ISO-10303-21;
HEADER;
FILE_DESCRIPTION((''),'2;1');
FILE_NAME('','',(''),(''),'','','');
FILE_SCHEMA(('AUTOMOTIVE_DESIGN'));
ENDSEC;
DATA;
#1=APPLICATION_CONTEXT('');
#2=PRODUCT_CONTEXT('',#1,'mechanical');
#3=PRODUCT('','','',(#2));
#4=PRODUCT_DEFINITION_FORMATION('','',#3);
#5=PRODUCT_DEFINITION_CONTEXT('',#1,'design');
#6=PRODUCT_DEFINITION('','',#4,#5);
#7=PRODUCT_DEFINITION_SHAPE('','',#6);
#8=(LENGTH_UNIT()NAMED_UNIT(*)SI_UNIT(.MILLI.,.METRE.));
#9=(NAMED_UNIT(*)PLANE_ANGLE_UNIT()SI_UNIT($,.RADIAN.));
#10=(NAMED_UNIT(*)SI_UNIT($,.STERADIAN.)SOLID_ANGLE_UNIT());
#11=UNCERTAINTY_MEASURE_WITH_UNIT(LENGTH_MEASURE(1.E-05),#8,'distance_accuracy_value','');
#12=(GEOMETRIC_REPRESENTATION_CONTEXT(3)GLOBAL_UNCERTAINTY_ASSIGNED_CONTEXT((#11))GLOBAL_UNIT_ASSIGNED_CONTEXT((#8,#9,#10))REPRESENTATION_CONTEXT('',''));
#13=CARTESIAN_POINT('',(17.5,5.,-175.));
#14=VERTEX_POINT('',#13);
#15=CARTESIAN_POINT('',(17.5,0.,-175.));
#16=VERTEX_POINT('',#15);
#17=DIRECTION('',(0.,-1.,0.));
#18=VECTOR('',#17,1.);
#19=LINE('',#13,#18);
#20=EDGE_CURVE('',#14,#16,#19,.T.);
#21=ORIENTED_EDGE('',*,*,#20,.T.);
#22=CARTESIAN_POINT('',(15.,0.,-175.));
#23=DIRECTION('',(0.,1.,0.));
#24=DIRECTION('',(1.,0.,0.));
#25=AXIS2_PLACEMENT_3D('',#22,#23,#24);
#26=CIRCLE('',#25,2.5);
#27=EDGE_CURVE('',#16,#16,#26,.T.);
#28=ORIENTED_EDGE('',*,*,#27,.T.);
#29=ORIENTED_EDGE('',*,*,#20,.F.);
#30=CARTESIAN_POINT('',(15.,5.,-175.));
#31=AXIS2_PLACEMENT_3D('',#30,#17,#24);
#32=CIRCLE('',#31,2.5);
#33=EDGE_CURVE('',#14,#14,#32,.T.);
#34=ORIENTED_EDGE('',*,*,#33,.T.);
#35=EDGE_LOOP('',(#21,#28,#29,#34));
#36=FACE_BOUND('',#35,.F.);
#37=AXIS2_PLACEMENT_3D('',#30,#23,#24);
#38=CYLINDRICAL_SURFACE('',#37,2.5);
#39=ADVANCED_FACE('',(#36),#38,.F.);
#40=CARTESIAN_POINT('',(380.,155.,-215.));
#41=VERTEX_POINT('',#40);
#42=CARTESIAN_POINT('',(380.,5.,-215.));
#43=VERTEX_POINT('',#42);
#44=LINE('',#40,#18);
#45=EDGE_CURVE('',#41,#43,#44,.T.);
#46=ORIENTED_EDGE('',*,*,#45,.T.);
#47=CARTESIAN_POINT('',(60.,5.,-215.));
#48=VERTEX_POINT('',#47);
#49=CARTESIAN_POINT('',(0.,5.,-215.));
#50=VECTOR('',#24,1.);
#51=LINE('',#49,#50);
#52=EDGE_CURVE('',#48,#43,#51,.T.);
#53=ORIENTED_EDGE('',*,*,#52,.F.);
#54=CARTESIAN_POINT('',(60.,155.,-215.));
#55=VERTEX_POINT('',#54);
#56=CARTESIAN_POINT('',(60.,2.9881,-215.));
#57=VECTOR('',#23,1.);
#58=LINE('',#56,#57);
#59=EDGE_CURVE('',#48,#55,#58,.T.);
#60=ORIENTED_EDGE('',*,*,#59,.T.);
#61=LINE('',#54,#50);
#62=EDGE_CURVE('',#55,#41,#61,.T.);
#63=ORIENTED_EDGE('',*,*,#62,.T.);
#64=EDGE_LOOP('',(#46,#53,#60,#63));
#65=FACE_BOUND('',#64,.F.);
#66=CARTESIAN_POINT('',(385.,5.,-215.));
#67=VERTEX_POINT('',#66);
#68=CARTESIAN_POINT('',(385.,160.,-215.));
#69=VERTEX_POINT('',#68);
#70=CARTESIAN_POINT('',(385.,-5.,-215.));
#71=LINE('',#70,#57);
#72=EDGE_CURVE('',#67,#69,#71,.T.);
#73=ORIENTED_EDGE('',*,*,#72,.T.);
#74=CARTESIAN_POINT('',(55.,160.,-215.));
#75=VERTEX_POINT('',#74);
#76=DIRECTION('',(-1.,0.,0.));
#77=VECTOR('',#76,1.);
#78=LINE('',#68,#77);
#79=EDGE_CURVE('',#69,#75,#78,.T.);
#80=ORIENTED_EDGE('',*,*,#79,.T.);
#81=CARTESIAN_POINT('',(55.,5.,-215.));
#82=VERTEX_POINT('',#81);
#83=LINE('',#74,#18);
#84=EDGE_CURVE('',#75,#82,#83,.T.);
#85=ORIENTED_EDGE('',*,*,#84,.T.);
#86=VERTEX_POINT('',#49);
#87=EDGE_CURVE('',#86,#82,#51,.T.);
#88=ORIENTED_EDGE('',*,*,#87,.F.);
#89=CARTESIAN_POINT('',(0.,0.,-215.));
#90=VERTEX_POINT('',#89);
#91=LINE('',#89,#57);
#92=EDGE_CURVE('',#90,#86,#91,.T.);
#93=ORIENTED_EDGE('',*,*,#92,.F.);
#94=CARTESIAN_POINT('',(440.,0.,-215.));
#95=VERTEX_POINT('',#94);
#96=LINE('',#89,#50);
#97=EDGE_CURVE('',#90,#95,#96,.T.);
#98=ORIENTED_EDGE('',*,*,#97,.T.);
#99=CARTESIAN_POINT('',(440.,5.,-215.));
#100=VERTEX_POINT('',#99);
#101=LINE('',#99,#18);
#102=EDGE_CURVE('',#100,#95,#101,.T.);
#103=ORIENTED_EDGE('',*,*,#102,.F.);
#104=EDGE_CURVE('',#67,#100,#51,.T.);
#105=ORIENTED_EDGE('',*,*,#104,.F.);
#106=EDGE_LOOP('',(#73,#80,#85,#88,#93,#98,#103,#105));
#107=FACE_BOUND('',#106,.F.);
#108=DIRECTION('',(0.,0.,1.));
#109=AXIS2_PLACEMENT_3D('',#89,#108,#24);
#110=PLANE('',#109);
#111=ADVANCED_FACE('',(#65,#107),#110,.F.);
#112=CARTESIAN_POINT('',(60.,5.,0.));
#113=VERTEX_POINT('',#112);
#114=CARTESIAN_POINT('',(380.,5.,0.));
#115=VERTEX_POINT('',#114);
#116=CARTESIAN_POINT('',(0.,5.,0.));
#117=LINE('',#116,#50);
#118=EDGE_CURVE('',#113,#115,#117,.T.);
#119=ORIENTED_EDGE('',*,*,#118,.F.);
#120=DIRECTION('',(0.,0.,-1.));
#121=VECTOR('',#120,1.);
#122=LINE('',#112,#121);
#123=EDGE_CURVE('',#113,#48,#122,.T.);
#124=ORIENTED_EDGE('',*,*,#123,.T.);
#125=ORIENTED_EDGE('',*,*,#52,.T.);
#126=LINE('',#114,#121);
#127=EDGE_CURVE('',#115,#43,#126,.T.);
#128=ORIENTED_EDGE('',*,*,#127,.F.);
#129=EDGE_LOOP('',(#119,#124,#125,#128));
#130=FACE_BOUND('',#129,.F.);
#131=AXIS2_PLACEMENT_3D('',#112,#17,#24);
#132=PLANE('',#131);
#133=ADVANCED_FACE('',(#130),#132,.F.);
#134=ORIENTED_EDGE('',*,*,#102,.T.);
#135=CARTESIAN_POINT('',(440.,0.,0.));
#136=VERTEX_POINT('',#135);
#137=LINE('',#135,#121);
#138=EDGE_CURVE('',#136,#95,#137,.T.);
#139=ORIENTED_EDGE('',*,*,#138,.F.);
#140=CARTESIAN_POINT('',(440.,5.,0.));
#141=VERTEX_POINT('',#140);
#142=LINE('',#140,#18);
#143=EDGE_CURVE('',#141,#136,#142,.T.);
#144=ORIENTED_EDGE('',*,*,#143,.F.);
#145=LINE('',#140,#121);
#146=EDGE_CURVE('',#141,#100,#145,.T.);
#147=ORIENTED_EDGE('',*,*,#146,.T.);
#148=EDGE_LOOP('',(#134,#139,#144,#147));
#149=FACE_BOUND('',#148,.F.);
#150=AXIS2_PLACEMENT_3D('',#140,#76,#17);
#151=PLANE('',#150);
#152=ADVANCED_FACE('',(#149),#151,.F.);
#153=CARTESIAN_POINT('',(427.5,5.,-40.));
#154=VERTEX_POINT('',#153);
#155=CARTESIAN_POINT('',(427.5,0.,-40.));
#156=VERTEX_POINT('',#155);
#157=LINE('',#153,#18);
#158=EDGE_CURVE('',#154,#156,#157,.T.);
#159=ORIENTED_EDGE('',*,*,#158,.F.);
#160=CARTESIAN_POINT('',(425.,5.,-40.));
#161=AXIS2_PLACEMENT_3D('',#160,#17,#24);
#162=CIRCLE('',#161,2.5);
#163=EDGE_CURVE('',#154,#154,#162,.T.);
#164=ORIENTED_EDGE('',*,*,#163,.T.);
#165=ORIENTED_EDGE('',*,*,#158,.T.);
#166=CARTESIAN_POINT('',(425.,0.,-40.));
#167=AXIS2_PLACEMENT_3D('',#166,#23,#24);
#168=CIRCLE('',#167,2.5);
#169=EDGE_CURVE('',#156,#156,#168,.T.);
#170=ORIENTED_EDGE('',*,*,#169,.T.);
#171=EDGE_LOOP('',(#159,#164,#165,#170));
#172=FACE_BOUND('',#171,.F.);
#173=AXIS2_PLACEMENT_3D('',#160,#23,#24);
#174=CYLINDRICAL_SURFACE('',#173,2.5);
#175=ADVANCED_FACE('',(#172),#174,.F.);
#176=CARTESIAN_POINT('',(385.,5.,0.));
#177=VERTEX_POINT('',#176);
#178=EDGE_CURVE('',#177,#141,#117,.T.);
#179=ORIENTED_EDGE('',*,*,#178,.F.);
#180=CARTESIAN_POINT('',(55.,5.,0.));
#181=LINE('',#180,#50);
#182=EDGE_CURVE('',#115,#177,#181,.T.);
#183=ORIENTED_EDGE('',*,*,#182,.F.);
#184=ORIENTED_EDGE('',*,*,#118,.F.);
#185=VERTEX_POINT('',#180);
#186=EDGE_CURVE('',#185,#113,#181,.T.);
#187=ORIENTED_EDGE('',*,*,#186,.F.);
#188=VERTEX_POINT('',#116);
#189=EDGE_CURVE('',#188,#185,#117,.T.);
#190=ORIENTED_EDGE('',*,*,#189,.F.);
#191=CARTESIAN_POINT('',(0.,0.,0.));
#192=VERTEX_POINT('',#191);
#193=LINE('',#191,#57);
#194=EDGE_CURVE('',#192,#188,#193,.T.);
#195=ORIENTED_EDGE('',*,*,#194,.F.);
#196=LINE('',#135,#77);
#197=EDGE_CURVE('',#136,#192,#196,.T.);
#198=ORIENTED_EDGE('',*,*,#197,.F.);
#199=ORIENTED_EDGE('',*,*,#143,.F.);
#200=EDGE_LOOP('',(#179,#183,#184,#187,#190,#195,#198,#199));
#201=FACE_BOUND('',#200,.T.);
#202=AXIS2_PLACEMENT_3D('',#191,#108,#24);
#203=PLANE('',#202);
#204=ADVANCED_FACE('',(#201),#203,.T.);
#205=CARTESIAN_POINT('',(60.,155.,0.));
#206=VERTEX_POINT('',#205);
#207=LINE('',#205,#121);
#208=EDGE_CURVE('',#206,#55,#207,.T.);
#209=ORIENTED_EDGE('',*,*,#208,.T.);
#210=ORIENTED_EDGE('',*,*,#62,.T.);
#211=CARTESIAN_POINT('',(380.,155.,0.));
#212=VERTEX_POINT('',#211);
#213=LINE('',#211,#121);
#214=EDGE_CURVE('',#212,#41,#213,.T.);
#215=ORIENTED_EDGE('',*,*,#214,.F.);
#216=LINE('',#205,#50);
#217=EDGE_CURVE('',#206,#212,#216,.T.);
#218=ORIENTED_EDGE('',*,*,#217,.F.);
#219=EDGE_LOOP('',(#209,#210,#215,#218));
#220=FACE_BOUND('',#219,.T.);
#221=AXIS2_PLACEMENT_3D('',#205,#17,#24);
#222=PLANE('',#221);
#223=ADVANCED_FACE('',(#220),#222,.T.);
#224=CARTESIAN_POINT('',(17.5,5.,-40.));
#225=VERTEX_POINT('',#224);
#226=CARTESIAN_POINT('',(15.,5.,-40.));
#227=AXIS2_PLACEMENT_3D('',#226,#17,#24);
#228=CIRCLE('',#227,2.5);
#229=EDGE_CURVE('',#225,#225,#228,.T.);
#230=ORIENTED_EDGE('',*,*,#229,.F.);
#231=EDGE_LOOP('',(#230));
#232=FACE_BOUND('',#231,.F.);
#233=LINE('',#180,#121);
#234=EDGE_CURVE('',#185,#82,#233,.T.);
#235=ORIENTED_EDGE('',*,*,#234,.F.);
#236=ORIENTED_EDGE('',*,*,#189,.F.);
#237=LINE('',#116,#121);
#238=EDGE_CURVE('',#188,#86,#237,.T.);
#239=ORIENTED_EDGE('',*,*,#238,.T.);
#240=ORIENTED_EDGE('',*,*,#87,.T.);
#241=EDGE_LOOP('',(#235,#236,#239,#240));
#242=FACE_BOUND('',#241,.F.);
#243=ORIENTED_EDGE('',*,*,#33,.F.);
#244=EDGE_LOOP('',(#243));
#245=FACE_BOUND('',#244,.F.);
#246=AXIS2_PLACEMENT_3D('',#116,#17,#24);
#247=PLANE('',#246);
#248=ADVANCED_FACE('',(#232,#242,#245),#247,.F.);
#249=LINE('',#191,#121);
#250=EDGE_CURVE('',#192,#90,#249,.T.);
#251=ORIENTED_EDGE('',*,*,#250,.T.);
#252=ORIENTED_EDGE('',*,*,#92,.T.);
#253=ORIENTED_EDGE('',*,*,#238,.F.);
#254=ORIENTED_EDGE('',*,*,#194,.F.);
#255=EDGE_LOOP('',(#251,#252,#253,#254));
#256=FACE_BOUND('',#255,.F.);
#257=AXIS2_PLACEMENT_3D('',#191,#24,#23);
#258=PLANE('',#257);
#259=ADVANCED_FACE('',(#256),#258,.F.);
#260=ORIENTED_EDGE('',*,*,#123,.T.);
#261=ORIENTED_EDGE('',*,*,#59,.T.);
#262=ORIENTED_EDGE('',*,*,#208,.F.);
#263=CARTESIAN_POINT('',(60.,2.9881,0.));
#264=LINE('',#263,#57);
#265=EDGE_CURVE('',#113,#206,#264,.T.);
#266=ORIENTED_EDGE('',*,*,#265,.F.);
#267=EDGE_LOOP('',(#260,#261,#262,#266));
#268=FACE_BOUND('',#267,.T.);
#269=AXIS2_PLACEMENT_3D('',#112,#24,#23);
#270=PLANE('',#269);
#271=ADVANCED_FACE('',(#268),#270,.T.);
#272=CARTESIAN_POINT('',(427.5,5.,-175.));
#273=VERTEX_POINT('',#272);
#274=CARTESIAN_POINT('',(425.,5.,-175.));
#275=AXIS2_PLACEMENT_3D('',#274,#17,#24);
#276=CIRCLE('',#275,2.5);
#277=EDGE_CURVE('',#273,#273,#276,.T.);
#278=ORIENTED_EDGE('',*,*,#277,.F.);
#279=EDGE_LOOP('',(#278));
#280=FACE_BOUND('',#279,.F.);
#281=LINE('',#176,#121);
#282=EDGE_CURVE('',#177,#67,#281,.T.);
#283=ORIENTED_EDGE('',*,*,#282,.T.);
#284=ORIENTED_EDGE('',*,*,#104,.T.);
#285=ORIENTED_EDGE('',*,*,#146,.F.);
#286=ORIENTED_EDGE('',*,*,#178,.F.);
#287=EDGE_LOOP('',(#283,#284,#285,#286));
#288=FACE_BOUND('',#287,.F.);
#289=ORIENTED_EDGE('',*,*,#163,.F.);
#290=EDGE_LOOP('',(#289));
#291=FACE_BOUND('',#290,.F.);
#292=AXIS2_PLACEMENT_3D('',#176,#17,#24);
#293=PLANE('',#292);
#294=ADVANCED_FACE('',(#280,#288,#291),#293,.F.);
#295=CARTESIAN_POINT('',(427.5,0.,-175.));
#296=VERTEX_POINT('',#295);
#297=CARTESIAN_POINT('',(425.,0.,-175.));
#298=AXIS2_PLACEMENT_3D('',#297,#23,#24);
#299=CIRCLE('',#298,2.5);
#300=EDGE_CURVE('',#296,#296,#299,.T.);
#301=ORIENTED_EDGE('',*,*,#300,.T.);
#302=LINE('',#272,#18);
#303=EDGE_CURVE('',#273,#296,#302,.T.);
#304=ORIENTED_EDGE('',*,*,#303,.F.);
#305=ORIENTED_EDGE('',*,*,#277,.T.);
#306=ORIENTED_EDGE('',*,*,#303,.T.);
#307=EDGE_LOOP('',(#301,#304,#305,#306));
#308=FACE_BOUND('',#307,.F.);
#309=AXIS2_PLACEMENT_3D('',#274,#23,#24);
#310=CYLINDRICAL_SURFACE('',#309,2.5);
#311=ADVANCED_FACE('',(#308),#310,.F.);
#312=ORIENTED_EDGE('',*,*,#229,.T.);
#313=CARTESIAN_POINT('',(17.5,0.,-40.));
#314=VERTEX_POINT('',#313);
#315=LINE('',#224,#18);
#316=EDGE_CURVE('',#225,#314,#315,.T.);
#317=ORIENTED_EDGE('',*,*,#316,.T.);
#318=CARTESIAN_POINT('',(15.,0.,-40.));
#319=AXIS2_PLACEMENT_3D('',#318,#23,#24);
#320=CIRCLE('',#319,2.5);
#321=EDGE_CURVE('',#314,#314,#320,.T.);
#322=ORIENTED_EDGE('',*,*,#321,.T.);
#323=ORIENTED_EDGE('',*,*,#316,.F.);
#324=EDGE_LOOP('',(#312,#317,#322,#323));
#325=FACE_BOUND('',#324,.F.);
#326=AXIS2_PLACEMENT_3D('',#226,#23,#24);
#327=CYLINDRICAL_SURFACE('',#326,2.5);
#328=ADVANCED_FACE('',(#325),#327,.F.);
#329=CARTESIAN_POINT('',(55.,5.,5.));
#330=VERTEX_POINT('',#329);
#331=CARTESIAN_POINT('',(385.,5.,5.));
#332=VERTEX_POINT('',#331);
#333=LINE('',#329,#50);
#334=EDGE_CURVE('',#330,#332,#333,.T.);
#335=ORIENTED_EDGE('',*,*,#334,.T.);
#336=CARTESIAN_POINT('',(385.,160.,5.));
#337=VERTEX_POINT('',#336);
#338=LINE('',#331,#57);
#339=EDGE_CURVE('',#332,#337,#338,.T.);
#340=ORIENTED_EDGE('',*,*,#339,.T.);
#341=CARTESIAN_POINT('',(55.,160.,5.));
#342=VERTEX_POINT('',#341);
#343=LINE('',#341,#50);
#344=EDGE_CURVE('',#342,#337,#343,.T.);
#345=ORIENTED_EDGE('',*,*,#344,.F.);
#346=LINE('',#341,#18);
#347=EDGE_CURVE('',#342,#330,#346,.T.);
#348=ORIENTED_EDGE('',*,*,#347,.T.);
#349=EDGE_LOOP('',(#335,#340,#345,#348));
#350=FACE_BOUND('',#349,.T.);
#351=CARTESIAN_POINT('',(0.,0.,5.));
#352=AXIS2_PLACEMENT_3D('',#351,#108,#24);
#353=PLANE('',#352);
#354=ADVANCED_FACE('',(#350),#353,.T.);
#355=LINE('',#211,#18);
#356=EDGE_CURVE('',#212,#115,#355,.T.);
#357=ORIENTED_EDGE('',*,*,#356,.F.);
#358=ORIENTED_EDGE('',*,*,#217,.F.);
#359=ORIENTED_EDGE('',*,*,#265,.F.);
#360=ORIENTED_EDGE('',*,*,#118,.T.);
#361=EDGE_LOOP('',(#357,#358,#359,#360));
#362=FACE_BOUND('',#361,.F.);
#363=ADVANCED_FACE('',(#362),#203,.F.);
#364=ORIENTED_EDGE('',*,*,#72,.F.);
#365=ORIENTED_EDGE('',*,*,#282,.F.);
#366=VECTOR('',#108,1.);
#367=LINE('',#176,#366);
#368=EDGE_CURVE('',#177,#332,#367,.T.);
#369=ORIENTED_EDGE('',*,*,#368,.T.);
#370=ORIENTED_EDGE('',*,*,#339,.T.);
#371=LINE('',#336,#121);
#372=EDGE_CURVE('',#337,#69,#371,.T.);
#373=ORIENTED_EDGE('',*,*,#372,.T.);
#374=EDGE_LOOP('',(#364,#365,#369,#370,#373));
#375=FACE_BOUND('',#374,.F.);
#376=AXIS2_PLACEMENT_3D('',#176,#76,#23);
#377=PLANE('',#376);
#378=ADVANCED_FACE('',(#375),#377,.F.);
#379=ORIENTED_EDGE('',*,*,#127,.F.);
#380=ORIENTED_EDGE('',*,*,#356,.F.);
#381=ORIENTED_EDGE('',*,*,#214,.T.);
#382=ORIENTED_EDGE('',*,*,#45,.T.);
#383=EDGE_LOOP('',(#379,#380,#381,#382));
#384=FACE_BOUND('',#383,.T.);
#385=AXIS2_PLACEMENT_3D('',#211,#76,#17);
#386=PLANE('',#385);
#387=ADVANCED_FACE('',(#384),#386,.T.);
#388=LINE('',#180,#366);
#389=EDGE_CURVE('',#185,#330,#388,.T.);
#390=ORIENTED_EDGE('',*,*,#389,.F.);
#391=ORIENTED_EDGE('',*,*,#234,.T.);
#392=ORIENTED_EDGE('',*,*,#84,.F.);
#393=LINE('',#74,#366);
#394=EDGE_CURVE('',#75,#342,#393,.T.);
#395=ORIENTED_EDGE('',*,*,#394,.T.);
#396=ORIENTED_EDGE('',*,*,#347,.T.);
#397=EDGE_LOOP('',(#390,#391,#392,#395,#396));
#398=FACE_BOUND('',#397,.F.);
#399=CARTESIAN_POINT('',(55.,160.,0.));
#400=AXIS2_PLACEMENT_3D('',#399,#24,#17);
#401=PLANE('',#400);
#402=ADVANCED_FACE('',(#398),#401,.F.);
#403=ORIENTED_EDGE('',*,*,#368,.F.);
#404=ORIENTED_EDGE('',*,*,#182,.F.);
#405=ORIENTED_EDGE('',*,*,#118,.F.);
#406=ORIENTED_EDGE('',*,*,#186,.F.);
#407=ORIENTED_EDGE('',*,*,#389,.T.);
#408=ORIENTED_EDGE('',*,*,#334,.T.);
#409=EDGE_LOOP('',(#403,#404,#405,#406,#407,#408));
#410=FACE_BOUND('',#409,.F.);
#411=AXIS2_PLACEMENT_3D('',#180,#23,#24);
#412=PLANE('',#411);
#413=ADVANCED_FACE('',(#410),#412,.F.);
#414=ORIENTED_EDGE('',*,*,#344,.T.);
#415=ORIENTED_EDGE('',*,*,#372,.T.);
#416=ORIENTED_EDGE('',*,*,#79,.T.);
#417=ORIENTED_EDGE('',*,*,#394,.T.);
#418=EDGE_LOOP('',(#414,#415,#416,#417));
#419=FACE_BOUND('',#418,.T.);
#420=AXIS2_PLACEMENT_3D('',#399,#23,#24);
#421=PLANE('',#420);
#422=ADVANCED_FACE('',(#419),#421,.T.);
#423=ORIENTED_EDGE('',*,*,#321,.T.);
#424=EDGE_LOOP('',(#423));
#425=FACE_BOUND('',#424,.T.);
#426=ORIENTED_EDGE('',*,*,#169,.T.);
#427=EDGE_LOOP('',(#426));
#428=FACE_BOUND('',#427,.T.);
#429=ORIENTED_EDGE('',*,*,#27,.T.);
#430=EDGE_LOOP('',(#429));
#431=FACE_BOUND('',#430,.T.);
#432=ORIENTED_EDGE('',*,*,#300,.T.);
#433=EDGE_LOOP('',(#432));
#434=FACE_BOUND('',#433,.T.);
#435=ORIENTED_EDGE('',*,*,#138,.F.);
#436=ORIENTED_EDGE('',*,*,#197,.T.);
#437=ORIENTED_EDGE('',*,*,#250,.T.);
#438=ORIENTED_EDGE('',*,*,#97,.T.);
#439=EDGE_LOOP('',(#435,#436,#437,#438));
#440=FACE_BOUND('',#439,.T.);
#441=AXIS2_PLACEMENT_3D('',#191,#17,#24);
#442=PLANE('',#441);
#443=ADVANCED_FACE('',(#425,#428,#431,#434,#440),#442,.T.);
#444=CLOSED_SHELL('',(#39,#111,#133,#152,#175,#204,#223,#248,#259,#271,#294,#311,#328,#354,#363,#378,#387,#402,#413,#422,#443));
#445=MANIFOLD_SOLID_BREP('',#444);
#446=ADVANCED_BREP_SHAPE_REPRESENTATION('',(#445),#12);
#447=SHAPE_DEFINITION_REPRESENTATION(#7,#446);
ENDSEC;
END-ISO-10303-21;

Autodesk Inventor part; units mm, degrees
ref_plane "YZ Plane" through (0, 0, 0) normal (1, 0, 0) x (0, 1, 0)
ref_plane "XZ Plane" through (0, 0, 0) normal (0, 1, 0) x (-1, 0, 0)
ref_plane "XY Plane" through (0, 0, 0) normal (0, 0, 1) x (1, 0, 0)
sketch "Sketch1" plane through (0, 0, 0) normal (0, 0, 1) x (1, 0, 0)
  line L0 (0, 0) -> (440, 0)
  line L1 (220, 0) -> (380, 0)
  line L2 (220, 0) -> (60, 0)
  line L3 (60, 2.9881) -> (60, 155)
  line L4 (60, 155) -> (380, 155)
  line L5 (380, 155) -> (380, 0)
  line L6 (60, -5) -> (220, -5)
  line L7 (220, -5) -> (385, -5)
  line L8 (385, -5) -> (385, 160)
  line L9 (385, 160) -> (55, 160)
  line L10 (55, 160) -> (55, 2.9881)
  line L11 (0, 0) -> (0, 5)
  line L12 (0, 5) -> (440, 5)
  line L13 (440, 5) -> (440, 0)
  point P0 (385, 5)
  point P1 (55, 5)
  point P2 (380, 5)
  point P3 (60, 5)
  dimension "d0" = 440
  dimension "d1" = 160
  dimension "d2" = 160
  dimension "d4" = 5
  dimension "d5" = 5
  dimension "d16" = 150
extrude "Extrusion1" add sketch "Sketch1" against normal blind 215 contours L11 L12 L5 L0 | L10 L9 L8 L12 L5 L4 L3 | L5 L12 L8 L0 | L8 L12 L13 L0
sketch "Sketch2" plane through (0, 5, 0) normal (0, 1, 0) x (1, 0, 0)
  line L0 (0, 0) -> (0, 215) projected
  line L1 (0, 215) -> (15, 215)
  line L2 (440, 215) -> (0, 215) projected
  line L3 (15, 215) -> (15, -133.1496)
  line L4 (440, 215) -> (425, 215)
  line L5 (425, 215) -> (425, -133.1496)
  circle A0 centre (15, 175) radius 2.5
  circle A1 centre (15, 40) radius 2.5
  line L6 (55, 0) -> (0, 0) projected
  line L7 (220, 215) -> (220, -93.5309)
  circle A2 centre (425, 175) radius 2.5
  circle A3 centre (425, 40) radius 2.5
  dimension "d8" = 15
  dimension "d9" = 15
  dimension "d10" = 5
  dimension "d11" = 5
  dimension "d12" = 40
  dimension "d13" = 40
extrude "Extrusion2" cut sketch "Sketch2" against normal blind 215 contours A3 L5 | L5 A3 | A2 L5 | L5 A2 | A1 L3 | L3 A1 | A0 L3 | L3 A0
sketch "Sketch3" plane through (0, 0, 0) normal (0, 0, 1) x (1, 0, 0)
  line L0 (0, 5) -> (55, 5) projected
  line L1 (55, 160) -> (385, 160) projected
  line L2 (55, 5) -> (385, 5)
  line L3 (385, 5) -> (385, 160)
  line L4 (385, 160) -> (55, 160)
  line L5 (55, 160) -> (55, 5)
  point P0 (0, 0)
extrude "Extrusion3" add sketch "Sketch3" along normal blind 5
properties part number "Proteção de acrilico"
